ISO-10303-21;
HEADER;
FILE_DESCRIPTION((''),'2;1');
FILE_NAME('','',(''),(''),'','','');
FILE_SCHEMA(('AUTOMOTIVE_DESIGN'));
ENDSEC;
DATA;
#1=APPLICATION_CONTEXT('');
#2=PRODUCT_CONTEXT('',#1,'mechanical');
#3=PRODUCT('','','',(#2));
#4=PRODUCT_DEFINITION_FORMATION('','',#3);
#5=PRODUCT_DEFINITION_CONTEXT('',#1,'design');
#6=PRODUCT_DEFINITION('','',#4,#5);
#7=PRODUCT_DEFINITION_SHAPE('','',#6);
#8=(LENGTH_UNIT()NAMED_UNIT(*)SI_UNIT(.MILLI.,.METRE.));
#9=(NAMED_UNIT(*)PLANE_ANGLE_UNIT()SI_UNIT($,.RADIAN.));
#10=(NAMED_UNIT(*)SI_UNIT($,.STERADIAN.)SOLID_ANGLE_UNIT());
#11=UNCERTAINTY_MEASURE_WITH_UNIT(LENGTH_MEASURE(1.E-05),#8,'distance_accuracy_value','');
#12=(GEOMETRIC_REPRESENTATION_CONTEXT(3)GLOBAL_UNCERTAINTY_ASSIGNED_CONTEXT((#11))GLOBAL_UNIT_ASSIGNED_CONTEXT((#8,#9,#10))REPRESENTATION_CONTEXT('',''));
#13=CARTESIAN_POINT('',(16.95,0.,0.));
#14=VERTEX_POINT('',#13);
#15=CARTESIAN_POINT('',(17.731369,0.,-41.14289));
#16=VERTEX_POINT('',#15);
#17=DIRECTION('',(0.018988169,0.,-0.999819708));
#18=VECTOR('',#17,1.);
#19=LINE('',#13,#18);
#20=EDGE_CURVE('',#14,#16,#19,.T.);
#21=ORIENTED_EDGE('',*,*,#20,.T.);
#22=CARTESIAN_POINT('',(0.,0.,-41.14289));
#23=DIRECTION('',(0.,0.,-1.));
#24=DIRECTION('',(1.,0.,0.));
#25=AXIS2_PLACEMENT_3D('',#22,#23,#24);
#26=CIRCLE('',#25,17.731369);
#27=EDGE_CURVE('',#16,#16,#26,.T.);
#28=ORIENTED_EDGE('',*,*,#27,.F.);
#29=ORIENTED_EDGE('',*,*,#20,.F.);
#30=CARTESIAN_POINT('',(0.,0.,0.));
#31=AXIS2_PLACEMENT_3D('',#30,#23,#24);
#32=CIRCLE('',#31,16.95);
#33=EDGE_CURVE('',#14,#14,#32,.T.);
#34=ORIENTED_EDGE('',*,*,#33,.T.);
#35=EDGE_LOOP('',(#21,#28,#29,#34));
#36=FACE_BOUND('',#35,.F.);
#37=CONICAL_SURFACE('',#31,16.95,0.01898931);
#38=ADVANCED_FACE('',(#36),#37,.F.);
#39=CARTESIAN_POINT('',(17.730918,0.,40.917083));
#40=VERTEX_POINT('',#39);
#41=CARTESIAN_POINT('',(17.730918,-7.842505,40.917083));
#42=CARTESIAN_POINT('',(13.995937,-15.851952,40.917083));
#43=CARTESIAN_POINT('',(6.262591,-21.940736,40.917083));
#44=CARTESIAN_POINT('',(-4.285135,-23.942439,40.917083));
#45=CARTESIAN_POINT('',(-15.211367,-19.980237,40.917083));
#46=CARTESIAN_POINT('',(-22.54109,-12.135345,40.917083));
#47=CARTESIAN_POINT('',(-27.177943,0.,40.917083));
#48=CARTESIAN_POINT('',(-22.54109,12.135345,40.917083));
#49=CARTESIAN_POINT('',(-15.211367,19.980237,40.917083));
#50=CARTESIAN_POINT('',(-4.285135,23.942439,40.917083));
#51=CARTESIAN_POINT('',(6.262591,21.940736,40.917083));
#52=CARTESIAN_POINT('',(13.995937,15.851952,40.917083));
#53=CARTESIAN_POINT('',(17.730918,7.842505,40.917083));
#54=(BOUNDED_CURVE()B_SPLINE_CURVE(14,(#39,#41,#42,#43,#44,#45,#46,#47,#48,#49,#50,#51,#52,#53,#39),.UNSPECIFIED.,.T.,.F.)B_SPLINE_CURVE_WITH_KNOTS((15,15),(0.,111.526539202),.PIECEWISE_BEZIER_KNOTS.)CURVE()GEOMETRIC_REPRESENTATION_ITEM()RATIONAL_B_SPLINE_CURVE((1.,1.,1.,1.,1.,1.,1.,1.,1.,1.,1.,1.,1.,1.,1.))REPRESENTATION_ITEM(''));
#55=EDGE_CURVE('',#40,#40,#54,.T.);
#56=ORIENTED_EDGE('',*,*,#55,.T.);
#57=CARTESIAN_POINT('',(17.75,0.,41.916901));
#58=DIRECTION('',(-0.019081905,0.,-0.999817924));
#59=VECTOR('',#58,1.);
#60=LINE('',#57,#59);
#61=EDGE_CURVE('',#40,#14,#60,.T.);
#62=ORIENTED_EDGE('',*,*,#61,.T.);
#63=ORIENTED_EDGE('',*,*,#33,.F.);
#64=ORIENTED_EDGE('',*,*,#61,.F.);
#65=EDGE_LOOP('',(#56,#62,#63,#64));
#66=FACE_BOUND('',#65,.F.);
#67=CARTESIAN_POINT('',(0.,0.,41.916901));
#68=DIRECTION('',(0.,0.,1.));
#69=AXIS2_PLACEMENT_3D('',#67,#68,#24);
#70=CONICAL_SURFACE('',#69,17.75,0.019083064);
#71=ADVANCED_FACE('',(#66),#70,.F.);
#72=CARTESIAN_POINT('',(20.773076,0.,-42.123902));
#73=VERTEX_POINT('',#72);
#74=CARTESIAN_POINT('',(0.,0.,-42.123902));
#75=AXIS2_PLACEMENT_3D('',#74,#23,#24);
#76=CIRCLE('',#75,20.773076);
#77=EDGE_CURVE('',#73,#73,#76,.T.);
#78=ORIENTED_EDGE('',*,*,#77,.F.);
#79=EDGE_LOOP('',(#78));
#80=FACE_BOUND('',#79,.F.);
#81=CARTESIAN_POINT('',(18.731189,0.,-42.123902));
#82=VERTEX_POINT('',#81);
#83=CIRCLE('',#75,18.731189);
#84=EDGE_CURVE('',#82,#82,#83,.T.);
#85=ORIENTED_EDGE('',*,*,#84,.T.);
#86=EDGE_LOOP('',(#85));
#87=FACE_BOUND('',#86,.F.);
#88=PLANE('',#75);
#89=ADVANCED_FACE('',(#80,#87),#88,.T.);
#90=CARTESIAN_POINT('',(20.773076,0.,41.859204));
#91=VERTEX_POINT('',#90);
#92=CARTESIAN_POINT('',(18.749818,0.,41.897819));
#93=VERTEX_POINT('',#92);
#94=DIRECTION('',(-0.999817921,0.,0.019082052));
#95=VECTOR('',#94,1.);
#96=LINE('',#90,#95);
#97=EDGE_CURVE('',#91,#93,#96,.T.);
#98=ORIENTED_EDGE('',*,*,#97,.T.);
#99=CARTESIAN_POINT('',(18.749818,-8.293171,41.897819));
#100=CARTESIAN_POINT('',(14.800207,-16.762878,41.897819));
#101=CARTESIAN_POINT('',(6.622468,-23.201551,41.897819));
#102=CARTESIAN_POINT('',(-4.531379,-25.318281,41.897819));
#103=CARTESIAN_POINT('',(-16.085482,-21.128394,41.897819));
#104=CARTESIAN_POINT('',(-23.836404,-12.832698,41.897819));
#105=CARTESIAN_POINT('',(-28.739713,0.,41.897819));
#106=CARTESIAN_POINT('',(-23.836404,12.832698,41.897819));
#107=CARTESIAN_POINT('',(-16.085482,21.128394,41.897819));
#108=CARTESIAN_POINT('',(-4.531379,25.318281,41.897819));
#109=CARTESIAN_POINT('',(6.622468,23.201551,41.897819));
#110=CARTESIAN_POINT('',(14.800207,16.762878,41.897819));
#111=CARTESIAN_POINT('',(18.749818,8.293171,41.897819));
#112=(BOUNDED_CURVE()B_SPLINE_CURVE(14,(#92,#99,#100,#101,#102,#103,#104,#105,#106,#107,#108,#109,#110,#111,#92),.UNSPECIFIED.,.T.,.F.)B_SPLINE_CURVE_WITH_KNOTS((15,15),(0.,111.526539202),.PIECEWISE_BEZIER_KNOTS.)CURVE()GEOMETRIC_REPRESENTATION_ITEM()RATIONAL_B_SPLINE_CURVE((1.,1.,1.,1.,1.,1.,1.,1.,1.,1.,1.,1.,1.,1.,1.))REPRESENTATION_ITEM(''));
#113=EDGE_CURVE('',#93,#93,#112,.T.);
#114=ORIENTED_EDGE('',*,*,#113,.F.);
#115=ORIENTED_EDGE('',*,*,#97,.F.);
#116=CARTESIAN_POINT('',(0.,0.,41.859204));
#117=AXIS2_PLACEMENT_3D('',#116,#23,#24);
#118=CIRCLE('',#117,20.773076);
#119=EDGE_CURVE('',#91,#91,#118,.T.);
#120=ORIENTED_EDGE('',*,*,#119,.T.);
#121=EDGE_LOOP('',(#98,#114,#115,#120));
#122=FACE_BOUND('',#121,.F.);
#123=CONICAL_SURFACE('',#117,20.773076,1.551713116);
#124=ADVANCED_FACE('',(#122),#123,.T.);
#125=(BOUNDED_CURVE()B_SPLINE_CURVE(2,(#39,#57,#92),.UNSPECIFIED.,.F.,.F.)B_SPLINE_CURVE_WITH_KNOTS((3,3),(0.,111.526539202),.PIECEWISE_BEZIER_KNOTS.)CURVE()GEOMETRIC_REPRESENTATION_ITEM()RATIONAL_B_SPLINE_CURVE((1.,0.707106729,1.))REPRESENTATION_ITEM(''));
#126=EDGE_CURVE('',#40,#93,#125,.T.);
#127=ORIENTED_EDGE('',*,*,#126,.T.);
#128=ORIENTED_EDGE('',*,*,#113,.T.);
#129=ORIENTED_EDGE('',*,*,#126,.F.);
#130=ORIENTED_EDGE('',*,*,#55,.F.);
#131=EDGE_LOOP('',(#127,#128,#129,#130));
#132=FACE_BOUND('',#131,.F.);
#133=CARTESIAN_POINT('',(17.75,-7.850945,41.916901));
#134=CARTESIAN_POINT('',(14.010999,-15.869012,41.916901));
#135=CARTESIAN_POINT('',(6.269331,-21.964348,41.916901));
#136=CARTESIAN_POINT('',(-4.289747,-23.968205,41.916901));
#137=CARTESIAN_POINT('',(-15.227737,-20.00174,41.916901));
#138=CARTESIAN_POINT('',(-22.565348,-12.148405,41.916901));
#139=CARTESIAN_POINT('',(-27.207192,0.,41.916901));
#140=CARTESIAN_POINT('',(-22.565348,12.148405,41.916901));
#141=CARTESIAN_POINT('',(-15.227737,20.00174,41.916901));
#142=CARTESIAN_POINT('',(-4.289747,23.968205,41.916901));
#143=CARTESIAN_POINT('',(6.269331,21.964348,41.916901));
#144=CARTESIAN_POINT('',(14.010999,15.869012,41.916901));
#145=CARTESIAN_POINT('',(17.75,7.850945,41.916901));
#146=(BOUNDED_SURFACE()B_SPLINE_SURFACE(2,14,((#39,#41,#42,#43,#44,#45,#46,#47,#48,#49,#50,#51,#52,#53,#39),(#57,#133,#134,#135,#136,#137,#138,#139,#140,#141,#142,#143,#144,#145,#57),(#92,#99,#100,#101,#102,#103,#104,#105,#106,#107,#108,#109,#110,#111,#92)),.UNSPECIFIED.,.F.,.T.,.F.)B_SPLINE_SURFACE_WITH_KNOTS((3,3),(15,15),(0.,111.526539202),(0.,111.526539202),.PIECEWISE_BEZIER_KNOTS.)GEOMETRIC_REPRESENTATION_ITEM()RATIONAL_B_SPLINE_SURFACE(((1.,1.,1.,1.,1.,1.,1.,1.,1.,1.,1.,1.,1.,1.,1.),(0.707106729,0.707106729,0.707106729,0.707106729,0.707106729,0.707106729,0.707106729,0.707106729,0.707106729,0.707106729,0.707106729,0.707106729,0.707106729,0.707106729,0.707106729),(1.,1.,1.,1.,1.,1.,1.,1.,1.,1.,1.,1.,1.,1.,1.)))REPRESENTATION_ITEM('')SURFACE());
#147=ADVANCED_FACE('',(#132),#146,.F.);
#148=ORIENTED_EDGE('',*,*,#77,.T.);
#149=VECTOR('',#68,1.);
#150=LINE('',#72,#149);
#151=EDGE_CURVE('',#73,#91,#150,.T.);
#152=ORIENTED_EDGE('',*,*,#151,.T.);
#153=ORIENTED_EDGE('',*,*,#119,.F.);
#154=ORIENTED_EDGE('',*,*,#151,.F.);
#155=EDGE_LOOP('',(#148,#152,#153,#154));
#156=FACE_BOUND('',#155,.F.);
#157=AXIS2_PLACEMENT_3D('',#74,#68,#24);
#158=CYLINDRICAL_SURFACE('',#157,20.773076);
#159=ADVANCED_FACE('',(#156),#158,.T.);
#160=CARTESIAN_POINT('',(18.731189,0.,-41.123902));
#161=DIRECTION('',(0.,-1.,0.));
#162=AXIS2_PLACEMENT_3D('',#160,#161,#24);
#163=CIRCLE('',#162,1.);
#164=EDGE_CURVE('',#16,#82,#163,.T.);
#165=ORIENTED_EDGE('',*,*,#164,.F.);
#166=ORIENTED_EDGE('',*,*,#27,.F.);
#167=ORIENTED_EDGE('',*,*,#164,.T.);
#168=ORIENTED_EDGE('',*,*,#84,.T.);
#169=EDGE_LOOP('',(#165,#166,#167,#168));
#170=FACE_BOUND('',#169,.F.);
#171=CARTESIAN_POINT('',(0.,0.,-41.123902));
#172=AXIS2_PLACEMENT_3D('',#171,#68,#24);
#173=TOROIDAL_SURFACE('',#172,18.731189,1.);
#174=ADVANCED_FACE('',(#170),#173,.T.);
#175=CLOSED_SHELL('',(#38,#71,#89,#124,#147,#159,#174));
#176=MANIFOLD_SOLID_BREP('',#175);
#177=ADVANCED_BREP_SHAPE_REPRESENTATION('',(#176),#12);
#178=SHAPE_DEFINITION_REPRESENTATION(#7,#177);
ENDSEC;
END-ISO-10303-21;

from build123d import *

# Parameters (mm, degrees)
F2_R = 1


with BuildPart() as f1:
    # F0 (on Front) → F1 (revolve)
    with BuildSketch(Plane.XZ):
        Polygon((17.75, 41.916901), (16.95, 0), (17.75, -42.123902), (20.773076, -42.123902), (20.773076, 41.859204), align=None)
    revolve(axis=Axis((0, 0, -6.72741), (0, 0, -1)))

    # F2
    f2_edges = [f1.edges().sort_by_distance(p)[0] for p in [
        (-17.75, 0, 41.916901),
        (-17.75, 0, -42.123902),
    ]]
    fillet(f2_edges, radius=F2_R)


solid = f1.part
